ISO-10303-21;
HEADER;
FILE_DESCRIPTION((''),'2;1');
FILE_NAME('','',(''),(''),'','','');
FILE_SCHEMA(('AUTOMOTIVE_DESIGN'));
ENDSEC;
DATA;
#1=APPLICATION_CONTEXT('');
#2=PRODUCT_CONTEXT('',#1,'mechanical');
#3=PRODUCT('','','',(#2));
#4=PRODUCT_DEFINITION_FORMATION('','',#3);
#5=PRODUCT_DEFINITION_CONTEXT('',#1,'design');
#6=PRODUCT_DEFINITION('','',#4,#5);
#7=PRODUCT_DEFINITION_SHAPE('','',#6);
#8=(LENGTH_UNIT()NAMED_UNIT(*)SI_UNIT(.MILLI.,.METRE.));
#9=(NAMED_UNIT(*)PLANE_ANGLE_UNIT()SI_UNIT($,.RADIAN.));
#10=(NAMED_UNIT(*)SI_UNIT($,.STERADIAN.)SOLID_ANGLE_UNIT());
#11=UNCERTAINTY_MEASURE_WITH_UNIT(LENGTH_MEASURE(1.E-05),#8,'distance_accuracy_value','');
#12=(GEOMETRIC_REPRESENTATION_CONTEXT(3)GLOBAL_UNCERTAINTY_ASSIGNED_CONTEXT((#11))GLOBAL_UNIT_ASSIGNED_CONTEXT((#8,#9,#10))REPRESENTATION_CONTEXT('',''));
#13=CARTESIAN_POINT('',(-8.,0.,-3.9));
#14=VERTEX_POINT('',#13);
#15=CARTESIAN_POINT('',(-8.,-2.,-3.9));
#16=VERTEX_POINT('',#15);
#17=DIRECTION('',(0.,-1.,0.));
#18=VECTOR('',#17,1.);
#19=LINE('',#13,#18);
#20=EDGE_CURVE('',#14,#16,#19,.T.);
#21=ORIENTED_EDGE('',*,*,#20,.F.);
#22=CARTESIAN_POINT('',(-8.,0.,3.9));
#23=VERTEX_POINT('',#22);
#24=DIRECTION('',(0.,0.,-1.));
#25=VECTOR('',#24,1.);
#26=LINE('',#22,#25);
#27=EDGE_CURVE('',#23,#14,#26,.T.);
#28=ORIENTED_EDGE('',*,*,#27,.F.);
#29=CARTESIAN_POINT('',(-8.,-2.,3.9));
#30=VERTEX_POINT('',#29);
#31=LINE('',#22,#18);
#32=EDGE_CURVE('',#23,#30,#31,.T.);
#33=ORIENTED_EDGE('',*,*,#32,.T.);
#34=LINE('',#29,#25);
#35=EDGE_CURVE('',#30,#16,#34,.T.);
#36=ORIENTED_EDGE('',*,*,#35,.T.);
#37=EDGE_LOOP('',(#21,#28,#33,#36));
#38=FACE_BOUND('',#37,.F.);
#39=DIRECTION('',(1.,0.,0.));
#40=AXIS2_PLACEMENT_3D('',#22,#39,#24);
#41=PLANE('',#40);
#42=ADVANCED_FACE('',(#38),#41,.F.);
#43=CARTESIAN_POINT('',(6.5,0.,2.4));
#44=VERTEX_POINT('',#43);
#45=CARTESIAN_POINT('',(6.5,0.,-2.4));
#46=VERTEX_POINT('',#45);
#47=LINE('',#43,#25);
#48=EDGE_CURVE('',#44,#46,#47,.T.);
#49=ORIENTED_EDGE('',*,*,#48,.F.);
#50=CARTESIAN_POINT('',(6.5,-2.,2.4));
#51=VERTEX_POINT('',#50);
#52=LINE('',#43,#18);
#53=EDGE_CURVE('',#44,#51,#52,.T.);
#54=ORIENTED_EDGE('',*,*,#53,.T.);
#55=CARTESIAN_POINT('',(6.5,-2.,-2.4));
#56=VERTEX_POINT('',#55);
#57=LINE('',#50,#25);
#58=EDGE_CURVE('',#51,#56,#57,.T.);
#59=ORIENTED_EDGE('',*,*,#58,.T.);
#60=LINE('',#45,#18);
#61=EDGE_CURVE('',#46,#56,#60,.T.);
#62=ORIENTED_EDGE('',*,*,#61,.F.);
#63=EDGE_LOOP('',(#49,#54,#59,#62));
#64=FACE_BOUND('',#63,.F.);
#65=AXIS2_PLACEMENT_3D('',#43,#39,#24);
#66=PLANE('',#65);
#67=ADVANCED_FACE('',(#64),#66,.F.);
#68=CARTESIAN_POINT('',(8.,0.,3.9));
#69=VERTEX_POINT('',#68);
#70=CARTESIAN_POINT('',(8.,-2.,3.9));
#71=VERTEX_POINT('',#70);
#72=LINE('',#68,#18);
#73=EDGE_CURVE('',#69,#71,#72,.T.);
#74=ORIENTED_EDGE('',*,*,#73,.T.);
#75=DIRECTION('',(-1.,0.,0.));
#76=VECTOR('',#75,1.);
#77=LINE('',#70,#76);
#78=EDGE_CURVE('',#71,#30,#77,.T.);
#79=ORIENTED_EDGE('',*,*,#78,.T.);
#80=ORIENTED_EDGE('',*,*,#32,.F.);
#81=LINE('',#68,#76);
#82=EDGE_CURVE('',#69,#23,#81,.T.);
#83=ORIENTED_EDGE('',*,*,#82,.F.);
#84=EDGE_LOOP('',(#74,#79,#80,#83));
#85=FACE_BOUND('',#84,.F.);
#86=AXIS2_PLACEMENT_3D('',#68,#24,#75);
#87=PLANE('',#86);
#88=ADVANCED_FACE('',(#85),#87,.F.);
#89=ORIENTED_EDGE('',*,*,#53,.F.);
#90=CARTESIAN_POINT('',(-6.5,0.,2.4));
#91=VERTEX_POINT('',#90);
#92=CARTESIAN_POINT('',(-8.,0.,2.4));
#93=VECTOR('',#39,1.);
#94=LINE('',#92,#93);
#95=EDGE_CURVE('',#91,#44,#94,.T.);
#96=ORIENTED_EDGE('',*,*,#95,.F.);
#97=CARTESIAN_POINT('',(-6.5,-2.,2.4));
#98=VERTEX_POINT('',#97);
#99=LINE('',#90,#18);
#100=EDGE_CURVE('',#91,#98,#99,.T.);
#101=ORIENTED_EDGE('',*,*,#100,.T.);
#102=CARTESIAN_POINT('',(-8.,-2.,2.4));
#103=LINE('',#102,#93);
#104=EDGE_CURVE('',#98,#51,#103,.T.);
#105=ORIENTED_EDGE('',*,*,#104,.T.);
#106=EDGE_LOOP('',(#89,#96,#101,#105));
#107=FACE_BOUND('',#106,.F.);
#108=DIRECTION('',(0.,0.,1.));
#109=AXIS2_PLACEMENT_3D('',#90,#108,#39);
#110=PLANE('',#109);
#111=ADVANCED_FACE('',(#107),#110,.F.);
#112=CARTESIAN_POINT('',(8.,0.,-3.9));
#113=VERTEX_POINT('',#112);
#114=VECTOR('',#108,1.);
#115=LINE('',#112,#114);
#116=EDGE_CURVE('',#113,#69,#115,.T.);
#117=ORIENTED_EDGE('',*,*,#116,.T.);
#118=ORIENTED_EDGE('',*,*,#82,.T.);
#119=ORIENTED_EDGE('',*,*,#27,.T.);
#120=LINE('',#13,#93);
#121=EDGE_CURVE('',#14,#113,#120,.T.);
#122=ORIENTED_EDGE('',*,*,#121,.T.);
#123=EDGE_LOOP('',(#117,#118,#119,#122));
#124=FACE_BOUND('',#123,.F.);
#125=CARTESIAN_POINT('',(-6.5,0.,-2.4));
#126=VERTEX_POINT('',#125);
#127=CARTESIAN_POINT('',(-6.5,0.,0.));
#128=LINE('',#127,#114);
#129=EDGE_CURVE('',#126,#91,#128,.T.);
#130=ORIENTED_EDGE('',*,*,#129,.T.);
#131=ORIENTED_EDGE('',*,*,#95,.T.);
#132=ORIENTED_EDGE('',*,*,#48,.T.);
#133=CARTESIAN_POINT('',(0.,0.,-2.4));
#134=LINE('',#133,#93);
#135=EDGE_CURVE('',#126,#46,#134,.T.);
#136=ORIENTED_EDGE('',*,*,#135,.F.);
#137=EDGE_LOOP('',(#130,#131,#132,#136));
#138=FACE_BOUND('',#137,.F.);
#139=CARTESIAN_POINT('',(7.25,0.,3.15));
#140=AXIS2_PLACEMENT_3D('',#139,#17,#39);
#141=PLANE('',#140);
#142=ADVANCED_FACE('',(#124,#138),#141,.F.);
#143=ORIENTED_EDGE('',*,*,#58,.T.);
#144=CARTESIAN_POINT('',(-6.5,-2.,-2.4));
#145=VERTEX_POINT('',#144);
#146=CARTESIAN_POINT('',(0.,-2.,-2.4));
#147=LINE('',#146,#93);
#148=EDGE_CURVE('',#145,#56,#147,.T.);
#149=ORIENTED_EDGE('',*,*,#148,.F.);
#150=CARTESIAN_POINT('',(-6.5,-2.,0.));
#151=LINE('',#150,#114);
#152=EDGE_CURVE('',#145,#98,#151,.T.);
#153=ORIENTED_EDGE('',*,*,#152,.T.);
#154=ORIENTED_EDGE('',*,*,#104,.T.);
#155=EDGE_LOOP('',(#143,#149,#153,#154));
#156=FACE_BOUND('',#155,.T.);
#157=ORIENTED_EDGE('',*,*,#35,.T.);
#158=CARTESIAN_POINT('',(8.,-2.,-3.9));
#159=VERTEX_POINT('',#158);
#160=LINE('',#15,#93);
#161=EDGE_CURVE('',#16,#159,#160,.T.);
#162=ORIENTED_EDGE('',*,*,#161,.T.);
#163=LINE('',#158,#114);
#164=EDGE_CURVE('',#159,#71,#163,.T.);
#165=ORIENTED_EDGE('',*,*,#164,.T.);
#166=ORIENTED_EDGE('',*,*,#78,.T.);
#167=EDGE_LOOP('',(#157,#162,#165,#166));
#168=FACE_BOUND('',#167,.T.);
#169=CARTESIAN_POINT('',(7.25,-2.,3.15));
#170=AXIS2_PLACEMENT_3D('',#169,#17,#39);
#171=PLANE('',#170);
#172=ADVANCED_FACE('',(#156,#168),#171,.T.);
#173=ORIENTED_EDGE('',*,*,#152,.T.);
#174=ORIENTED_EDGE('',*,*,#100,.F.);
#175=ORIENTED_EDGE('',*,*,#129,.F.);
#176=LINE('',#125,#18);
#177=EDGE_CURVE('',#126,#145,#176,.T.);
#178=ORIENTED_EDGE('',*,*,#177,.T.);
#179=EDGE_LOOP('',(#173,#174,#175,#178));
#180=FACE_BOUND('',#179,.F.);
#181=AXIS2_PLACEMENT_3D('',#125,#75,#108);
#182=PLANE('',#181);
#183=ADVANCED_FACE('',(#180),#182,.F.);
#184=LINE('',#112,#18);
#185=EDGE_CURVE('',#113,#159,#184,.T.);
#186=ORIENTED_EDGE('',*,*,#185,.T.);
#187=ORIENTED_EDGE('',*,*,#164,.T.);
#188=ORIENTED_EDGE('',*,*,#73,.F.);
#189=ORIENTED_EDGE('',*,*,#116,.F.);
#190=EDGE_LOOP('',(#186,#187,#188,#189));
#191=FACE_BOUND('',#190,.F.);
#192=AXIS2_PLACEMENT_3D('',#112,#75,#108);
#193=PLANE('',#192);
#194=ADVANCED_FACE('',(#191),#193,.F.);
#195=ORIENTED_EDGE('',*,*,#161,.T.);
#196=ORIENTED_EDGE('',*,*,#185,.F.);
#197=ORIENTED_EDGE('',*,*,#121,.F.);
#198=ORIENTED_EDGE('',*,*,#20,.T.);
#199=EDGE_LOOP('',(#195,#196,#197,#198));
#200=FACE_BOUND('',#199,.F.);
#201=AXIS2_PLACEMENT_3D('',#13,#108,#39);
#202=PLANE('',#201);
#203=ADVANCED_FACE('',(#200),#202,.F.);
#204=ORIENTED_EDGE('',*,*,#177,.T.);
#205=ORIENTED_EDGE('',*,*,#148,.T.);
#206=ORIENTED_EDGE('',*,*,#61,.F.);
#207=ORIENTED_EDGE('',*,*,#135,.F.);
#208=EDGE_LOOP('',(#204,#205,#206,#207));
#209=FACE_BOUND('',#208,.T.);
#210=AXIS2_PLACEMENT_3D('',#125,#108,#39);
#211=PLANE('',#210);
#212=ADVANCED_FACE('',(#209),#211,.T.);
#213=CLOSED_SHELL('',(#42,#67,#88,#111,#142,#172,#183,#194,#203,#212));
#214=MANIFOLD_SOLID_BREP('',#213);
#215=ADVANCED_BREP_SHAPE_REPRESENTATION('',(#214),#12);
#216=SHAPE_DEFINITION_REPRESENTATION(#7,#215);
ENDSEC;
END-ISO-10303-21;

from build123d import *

# Parameters (mm, degrees)
F0_W     = 1.5
F0_H     = 1.5
F0_W_2   = 13
F0_H_2   = 4.8
F1_DEPTH = 2


with BuildPart() as f1:
    # F0 (on Front) → F1 (new body)
    with BuildSketch(Plane.XZ):
        with Locations((7.25, 3.15)):
            Rectangle(F0_W, F0_H)
        with Locations((0, 3.15)):
            Rectangle(F0_W_2, F0_H)
        with Locations((7.25, 0)):
            Rectangle(F0_W, F0_H_2)
        with Locations((-7.25, 3.15)):
            Rectangle(F0_W, F0_H)
        with Locations((7.25, -3.15)):
            Rectangle(F0_W, F0_H)
        with Locations((-7.25, 0)):
            Rectangle(F0_W, F0_H_2)
        with Locations((0, -3.15)):
            Rectangle(F0_W_2, F0_H)
        with Locations((-7.25, -3.15)):
            Rectangle(F0_W, F0_H)
    extrude(amount=F1_DEPTH)


solid = f1.part
